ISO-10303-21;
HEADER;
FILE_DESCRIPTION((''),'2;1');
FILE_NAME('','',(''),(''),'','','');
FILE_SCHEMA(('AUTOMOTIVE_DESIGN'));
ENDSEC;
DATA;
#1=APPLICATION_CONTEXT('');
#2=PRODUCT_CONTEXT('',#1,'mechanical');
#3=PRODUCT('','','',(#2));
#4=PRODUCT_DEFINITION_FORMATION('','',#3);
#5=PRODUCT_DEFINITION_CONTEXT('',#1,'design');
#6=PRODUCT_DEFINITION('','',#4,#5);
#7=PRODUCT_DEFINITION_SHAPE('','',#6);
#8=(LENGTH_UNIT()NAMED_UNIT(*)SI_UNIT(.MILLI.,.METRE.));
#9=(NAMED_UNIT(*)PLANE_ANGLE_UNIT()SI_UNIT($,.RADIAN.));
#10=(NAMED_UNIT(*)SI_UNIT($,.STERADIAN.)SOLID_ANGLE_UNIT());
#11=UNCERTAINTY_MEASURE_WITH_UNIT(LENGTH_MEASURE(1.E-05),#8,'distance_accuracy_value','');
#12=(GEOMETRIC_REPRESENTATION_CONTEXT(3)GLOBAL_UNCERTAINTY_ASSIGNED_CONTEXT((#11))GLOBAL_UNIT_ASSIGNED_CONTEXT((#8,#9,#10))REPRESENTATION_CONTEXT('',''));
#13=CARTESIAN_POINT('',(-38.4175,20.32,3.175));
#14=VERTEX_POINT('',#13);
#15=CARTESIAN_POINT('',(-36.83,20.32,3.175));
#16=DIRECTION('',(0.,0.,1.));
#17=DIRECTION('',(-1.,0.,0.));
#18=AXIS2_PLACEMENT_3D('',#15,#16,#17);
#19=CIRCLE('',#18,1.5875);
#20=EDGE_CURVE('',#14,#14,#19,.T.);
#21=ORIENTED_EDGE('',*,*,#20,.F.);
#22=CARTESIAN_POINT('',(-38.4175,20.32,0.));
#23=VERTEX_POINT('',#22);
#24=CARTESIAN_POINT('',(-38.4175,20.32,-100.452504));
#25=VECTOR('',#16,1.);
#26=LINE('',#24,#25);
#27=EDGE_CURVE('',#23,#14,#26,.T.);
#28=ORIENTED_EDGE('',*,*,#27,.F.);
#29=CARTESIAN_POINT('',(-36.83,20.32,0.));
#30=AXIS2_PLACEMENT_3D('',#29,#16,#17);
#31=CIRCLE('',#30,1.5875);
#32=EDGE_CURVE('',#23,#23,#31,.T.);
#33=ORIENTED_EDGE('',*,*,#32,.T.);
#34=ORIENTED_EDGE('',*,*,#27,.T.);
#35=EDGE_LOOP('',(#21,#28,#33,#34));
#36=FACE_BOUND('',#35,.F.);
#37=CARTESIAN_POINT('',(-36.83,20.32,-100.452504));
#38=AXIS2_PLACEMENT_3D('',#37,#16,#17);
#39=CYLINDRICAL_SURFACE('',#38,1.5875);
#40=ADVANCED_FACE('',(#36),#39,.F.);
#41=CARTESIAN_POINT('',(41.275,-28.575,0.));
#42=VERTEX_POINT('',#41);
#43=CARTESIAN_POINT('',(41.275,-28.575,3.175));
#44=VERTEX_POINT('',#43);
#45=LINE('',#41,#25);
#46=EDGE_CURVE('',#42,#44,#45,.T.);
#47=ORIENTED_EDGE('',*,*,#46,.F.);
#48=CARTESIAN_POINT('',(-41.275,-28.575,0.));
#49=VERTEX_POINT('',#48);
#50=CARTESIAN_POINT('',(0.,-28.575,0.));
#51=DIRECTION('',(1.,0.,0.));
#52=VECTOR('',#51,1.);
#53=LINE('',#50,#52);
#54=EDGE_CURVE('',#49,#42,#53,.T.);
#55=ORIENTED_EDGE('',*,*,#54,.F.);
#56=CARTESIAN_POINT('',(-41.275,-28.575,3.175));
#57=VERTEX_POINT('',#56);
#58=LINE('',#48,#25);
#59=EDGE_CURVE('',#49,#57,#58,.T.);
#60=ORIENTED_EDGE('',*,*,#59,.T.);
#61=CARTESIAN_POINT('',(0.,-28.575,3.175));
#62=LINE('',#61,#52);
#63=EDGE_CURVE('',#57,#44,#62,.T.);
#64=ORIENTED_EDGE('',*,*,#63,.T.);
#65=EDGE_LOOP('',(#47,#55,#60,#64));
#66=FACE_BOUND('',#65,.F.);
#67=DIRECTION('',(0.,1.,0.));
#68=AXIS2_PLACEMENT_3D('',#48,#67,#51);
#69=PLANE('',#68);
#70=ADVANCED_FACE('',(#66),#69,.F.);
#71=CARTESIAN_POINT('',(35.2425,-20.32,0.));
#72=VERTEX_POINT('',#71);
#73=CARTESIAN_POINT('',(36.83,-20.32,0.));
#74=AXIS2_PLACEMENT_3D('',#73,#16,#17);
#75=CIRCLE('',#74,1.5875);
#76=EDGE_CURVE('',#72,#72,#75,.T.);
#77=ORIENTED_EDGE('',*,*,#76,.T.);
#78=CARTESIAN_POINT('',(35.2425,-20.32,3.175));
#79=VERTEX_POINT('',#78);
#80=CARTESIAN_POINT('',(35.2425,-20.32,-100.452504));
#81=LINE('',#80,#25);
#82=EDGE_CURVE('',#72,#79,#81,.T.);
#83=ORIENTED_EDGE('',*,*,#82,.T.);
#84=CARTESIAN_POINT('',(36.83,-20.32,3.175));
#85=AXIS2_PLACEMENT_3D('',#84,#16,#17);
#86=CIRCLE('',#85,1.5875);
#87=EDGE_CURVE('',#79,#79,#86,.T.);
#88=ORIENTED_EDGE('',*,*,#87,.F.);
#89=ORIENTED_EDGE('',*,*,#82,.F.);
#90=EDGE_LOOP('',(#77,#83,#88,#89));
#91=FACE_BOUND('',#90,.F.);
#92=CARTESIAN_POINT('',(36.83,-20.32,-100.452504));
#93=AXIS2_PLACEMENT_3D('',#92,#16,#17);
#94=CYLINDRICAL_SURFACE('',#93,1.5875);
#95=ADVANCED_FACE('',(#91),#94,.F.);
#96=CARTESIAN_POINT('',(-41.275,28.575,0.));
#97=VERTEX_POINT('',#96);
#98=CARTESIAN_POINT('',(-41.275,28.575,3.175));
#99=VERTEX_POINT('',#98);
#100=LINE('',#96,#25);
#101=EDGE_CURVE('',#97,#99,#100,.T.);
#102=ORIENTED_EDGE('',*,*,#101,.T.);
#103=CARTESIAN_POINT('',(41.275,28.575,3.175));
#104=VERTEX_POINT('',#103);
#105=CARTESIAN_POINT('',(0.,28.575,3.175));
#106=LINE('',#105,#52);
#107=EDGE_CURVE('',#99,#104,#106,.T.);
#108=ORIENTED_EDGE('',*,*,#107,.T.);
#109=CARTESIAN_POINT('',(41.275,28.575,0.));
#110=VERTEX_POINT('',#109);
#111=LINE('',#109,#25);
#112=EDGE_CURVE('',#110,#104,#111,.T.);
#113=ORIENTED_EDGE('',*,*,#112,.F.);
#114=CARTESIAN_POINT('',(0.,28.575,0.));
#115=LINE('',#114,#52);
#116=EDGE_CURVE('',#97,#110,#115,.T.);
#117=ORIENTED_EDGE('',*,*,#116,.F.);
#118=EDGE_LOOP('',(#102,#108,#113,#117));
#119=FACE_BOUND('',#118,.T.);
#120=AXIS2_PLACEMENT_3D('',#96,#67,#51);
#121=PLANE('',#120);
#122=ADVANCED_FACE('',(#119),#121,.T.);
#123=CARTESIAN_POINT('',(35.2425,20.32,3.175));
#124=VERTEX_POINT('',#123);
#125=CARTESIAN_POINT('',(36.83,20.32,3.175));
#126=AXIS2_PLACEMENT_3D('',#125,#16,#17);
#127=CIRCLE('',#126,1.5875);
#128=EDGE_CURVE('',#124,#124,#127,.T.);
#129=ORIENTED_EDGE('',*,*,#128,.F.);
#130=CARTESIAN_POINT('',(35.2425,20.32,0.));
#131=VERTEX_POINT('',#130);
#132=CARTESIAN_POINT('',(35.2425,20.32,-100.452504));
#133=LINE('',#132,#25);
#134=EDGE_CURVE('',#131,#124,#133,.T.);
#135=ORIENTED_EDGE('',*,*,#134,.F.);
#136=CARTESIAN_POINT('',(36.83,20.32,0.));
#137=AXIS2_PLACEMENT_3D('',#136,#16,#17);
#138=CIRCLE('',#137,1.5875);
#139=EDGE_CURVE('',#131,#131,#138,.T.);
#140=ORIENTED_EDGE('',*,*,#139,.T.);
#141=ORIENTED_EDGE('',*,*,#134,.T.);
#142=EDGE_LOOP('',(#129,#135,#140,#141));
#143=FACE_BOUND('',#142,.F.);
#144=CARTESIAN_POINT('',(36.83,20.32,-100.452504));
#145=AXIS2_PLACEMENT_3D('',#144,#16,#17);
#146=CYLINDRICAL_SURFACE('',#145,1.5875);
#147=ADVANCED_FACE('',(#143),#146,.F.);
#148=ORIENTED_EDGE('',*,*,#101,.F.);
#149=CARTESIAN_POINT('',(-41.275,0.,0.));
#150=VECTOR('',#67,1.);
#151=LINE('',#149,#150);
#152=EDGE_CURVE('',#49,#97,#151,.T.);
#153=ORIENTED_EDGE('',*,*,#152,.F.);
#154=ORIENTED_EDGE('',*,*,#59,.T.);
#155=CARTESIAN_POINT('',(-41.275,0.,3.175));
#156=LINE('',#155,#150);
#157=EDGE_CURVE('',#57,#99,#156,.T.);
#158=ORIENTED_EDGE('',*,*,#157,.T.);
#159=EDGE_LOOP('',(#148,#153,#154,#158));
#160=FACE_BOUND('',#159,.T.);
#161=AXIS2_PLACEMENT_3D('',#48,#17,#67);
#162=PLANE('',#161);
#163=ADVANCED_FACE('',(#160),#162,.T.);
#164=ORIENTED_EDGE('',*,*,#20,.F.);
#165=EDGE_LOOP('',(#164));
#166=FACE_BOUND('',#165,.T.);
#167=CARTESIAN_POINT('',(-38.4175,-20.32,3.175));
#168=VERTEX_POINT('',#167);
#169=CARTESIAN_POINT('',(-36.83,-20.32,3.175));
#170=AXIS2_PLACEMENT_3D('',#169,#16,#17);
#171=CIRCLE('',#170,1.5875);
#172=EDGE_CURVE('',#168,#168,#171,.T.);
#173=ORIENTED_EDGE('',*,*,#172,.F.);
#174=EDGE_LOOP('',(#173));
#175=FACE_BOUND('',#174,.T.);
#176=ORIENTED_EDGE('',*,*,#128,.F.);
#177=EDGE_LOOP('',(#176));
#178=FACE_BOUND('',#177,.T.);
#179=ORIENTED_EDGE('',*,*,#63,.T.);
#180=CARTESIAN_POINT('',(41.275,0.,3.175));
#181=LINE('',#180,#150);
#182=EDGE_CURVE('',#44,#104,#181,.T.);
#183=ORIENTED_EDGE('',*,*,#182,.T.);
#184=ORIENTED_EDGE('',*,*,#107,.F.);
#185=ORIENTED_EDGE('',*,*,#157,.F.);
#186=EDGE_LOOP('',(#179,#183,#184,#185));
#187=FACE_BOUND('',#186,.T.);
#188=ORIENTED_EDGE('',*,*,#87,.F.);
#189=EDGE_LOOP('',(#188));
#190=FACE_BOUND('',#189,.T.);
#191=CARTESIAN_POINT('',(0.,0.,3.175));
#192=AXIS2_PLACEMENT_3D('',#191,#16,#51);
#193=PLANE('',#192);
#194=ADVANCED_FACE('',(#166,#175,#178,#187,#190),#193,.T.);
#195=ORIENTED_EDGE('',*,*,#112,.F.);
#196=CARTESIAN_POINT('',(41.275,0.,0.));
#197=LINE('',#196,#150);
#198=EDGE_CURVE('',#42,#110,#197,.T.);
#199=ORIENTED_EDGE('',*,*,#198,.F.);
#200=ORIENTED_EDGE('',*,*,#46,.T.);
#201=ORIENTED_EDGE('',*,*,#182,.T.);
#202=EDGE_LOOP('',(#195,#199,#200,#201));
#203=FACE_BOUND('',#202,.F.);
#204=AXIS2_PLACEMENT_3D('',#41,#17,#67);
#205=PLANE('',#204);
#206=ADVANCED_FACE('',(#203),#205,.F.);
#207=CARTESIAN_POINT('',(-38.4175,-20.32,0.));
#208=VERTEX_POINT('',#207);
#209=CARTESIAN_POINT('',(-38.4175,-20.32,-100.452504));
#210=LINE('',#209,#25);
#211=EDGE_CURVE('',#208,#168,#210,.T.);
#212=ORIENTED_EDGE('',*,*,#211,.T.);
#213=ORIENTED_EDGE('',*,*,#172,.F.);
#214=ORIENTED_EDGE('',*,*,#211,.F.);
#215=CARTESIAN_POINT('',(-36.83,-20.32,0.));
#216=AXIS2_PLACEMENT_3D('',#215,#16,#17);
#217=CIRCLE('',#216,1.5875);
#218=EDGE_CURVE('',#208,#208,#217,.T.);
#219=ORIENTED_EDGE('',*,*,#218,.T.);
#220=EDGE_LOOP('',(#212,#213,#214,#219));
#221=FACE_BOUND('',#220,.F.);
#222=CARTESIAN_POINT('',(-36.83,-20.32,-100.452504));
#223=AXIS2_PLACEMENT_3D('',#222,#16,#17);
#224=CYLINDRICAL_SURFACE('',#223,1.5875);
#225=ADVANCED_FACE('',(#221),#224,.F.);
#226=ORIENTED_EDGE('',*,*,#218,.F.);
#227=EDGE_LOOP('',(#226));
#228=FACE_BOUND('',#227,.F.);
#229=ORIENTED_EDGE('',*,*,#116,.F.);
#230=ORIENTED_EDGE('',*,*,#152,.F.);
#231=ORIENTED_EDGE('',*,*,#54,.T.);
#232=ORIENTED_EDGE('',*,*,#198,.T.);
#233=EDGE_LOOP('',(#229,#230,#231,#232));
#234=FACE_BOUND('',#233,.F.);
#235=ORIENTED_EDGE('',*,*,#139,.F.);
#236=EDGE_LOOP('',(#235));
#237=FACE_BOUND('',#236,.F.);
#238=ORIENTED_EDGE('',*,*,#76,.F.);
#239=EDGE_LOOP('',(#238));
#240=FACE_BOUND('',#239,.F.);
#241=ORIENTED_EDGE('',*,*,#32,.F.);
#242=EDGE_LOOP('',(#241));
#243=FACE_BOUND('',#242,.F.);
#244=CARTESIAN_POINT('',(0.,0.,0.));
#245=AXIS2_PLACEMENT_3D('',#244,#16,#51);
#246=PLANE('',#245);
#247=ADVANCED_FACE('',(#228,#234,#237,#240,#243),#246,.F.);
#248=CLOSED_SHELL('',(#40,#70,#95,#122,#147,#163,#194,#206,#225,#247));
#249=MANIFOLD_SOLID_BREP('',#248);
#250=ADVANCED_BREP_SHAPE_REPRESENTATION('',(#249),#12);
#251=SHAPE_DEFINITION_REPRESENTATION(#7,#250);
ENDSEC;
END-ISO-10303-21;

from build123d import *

# Parameters (mm, degrees)
F1_W     = 82.55
F1_H     = 57.15
F2_DEPTH = 3.175
F3_D     = 3.175


with BuildPart() as f2:
    # F1 (on face) → F2 (new body)
    with BuildSketch(Plane.XY):
        Rectangle(F1_W, F1_H)
    extrude(amount=F2_DEPTH)

    # F3 (through all)
    with Locations(Plane(origin=(0, 0, 0), x_dir=(1, 0, 0), z_dir=(0, 0, -1))):
        with Locations((36.83, -20.32), (36.83, 20.32), (-36.83, 20.32), (-36.83, -20.32)):
            Hole(F3_D / 2)


solid = f2.part
